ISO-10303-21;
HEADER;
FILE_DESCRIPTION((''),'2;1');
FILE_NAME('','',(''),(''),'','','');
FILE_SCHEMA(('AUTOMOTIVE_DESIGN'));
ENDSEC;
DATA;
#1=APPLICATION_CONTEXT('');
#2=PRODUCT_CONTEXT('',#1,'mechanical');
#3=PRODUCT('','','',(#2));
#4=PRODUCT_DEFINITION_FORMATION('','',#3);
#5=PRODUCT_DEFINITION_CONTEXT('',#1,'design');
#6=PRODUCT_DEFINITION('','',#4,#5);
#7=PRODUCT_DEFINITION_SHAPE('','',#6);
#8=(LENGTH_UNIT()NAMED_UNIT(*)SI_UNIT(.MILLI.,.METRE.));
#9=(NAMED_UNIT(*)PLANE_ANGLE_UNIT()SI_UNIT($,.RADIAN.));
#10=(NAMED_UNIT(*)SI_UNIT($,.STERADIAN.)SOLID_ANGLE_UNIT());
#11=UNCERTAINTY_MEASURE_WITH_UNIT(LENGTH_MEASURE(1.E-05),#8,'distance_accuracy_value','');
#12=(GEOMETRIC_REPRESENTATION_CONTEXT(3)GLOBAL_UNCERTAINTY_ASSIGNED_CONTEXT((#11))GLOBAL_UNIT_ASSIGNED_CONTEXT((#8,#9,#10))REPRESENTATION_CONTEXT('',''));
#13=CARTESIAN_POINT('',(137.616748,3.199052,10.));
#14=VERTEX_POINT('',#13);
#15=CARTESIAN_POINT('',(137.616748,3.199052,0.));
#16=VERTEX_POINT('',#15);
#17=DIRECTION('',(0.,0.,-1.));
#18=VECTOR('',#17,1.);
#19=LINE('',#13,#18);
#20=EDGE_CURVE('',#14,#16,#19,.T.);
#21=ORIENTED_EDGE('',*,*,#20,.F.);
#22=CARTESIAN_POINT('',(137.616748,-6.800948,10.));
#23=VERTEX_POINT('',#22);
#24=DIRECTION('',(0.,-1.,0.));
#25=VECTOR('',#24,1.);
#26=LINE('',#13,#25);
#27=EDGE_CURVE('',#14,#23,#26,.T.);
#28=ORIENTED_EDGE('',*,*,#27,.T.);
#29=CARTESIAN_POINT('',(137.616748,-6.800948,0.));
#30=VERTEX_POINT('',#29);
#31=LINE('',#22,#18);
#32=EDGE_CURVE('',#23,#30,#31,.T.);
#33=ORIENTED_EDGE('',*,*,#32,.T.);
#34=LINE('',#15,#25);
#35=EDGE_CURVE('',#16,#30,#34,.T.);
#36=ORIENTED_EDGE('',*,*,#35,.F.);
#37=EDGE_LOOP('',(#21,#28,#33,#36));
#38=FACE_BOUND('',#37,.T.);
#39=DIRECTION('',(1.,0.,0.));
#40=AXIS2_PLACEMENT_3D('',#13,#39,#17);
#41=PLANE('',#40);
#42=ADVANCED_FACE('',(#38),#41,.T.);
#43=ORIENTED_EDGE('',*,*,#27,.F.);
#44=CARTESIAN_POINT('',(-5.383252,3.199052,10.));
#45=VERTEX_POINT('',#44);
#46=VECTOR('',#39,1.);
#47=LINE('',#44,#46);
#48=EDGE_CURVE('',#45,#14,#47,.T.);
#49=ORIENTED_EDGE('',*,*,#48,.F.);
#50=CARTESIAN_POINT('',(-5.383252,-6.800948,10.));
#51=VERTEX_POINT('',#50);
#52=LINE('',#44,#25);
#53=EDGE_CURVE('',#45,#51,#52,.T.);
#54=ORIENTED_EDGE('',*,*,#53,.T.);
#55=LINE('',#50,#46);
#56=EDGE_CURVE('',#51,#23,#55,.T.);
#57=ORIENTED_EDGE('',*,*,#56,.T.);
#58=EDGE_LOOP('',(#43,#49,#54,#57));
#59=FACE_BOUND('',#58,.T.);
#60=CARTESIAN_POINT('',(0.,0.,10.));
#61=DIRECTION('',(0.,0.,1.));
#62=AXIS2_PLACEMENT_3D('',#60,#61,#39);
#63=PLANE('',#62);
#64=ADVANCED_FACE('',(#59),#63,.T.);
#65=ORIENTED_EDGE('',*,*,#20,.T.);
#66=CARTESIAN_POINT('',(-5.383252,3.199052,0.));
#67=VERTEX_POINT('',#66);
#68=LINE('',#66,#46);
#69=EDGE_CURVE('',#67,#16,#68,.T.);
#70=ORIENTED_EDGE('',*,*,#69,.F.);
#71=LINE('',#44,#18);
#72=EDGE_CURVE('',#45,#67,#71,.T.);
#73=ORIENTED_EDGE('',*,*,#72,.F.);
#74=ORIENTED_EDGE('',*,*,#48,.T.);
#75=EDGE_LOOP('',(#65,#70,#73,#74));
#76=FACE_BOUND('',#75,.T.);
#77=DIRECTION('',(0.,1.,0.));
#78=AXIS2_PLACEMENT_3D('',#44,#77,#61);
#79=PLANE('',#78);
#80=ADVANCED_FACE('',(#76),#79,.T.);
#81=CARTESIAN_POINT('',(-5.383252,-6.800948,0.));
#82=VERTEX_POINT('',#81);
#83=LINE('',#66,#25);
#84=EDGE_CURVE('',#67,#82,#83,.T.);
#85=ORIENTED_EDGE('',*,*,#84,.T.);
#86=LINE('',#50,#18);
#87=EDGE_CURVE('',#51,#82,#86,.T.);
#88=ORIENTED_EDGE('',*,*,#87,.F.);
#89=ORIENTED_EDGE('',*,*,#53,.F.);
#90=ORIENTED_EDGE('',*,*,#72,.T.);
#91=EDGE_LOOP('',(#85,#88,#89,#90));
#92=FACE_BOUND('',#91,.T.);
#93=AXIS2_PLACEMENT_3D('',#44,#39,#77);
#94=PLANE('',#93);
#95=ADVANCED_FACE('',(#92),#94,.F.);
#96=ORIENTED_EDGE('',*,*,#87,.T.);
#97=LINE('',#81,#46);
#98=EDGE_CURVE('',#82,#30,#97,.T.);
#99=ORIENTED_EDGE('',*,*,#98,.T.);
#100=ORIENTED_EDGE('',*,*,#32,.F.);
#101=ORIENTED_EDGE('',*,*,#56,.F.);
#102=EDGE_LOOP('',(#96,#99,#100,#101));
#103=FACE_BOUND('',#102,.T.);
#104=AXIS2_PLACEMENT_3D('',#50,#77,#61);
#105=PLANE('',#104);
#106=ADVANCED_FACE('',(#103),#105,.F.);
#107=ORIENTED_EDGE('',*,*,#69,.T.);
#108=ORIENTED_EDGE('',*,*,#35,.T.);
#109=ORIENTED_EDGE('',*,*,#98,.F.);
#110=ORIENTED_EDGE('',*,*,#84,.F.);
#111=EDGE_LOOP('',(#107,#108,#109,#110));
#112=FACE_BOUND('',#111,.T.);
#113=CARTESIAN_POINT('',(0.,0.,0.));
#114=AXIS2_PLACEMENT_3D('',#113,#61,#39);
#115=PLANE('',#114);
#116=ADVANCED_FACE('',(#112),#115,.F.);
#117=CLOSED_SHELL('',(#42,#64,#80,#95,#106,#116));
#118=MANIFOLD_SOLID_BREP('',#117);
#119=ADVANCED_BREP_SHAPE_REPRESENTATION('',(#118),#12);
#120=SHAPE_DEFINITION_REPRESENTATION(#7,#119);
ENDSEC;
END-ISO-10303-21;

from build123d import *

# Parameters (mm, degrees)
ESQUISSE1_W        = 143
ESQUISSE1_H        = 10
BOSS_EXTRU_1_DEPTH = 10


with BuildPart() as part:
    # Esquisse1 → Boss.-Extru.1 (new body)
    with BuildSketch(Plane.XY):
        with Locations((66.116747734, -1.800947867)):
            Rectangle(ESQUISSE1_W, ESQUISSE1_H)
    extrude(amount=BOSS_EXTRU_1_DEPTH)


solid = part.part
